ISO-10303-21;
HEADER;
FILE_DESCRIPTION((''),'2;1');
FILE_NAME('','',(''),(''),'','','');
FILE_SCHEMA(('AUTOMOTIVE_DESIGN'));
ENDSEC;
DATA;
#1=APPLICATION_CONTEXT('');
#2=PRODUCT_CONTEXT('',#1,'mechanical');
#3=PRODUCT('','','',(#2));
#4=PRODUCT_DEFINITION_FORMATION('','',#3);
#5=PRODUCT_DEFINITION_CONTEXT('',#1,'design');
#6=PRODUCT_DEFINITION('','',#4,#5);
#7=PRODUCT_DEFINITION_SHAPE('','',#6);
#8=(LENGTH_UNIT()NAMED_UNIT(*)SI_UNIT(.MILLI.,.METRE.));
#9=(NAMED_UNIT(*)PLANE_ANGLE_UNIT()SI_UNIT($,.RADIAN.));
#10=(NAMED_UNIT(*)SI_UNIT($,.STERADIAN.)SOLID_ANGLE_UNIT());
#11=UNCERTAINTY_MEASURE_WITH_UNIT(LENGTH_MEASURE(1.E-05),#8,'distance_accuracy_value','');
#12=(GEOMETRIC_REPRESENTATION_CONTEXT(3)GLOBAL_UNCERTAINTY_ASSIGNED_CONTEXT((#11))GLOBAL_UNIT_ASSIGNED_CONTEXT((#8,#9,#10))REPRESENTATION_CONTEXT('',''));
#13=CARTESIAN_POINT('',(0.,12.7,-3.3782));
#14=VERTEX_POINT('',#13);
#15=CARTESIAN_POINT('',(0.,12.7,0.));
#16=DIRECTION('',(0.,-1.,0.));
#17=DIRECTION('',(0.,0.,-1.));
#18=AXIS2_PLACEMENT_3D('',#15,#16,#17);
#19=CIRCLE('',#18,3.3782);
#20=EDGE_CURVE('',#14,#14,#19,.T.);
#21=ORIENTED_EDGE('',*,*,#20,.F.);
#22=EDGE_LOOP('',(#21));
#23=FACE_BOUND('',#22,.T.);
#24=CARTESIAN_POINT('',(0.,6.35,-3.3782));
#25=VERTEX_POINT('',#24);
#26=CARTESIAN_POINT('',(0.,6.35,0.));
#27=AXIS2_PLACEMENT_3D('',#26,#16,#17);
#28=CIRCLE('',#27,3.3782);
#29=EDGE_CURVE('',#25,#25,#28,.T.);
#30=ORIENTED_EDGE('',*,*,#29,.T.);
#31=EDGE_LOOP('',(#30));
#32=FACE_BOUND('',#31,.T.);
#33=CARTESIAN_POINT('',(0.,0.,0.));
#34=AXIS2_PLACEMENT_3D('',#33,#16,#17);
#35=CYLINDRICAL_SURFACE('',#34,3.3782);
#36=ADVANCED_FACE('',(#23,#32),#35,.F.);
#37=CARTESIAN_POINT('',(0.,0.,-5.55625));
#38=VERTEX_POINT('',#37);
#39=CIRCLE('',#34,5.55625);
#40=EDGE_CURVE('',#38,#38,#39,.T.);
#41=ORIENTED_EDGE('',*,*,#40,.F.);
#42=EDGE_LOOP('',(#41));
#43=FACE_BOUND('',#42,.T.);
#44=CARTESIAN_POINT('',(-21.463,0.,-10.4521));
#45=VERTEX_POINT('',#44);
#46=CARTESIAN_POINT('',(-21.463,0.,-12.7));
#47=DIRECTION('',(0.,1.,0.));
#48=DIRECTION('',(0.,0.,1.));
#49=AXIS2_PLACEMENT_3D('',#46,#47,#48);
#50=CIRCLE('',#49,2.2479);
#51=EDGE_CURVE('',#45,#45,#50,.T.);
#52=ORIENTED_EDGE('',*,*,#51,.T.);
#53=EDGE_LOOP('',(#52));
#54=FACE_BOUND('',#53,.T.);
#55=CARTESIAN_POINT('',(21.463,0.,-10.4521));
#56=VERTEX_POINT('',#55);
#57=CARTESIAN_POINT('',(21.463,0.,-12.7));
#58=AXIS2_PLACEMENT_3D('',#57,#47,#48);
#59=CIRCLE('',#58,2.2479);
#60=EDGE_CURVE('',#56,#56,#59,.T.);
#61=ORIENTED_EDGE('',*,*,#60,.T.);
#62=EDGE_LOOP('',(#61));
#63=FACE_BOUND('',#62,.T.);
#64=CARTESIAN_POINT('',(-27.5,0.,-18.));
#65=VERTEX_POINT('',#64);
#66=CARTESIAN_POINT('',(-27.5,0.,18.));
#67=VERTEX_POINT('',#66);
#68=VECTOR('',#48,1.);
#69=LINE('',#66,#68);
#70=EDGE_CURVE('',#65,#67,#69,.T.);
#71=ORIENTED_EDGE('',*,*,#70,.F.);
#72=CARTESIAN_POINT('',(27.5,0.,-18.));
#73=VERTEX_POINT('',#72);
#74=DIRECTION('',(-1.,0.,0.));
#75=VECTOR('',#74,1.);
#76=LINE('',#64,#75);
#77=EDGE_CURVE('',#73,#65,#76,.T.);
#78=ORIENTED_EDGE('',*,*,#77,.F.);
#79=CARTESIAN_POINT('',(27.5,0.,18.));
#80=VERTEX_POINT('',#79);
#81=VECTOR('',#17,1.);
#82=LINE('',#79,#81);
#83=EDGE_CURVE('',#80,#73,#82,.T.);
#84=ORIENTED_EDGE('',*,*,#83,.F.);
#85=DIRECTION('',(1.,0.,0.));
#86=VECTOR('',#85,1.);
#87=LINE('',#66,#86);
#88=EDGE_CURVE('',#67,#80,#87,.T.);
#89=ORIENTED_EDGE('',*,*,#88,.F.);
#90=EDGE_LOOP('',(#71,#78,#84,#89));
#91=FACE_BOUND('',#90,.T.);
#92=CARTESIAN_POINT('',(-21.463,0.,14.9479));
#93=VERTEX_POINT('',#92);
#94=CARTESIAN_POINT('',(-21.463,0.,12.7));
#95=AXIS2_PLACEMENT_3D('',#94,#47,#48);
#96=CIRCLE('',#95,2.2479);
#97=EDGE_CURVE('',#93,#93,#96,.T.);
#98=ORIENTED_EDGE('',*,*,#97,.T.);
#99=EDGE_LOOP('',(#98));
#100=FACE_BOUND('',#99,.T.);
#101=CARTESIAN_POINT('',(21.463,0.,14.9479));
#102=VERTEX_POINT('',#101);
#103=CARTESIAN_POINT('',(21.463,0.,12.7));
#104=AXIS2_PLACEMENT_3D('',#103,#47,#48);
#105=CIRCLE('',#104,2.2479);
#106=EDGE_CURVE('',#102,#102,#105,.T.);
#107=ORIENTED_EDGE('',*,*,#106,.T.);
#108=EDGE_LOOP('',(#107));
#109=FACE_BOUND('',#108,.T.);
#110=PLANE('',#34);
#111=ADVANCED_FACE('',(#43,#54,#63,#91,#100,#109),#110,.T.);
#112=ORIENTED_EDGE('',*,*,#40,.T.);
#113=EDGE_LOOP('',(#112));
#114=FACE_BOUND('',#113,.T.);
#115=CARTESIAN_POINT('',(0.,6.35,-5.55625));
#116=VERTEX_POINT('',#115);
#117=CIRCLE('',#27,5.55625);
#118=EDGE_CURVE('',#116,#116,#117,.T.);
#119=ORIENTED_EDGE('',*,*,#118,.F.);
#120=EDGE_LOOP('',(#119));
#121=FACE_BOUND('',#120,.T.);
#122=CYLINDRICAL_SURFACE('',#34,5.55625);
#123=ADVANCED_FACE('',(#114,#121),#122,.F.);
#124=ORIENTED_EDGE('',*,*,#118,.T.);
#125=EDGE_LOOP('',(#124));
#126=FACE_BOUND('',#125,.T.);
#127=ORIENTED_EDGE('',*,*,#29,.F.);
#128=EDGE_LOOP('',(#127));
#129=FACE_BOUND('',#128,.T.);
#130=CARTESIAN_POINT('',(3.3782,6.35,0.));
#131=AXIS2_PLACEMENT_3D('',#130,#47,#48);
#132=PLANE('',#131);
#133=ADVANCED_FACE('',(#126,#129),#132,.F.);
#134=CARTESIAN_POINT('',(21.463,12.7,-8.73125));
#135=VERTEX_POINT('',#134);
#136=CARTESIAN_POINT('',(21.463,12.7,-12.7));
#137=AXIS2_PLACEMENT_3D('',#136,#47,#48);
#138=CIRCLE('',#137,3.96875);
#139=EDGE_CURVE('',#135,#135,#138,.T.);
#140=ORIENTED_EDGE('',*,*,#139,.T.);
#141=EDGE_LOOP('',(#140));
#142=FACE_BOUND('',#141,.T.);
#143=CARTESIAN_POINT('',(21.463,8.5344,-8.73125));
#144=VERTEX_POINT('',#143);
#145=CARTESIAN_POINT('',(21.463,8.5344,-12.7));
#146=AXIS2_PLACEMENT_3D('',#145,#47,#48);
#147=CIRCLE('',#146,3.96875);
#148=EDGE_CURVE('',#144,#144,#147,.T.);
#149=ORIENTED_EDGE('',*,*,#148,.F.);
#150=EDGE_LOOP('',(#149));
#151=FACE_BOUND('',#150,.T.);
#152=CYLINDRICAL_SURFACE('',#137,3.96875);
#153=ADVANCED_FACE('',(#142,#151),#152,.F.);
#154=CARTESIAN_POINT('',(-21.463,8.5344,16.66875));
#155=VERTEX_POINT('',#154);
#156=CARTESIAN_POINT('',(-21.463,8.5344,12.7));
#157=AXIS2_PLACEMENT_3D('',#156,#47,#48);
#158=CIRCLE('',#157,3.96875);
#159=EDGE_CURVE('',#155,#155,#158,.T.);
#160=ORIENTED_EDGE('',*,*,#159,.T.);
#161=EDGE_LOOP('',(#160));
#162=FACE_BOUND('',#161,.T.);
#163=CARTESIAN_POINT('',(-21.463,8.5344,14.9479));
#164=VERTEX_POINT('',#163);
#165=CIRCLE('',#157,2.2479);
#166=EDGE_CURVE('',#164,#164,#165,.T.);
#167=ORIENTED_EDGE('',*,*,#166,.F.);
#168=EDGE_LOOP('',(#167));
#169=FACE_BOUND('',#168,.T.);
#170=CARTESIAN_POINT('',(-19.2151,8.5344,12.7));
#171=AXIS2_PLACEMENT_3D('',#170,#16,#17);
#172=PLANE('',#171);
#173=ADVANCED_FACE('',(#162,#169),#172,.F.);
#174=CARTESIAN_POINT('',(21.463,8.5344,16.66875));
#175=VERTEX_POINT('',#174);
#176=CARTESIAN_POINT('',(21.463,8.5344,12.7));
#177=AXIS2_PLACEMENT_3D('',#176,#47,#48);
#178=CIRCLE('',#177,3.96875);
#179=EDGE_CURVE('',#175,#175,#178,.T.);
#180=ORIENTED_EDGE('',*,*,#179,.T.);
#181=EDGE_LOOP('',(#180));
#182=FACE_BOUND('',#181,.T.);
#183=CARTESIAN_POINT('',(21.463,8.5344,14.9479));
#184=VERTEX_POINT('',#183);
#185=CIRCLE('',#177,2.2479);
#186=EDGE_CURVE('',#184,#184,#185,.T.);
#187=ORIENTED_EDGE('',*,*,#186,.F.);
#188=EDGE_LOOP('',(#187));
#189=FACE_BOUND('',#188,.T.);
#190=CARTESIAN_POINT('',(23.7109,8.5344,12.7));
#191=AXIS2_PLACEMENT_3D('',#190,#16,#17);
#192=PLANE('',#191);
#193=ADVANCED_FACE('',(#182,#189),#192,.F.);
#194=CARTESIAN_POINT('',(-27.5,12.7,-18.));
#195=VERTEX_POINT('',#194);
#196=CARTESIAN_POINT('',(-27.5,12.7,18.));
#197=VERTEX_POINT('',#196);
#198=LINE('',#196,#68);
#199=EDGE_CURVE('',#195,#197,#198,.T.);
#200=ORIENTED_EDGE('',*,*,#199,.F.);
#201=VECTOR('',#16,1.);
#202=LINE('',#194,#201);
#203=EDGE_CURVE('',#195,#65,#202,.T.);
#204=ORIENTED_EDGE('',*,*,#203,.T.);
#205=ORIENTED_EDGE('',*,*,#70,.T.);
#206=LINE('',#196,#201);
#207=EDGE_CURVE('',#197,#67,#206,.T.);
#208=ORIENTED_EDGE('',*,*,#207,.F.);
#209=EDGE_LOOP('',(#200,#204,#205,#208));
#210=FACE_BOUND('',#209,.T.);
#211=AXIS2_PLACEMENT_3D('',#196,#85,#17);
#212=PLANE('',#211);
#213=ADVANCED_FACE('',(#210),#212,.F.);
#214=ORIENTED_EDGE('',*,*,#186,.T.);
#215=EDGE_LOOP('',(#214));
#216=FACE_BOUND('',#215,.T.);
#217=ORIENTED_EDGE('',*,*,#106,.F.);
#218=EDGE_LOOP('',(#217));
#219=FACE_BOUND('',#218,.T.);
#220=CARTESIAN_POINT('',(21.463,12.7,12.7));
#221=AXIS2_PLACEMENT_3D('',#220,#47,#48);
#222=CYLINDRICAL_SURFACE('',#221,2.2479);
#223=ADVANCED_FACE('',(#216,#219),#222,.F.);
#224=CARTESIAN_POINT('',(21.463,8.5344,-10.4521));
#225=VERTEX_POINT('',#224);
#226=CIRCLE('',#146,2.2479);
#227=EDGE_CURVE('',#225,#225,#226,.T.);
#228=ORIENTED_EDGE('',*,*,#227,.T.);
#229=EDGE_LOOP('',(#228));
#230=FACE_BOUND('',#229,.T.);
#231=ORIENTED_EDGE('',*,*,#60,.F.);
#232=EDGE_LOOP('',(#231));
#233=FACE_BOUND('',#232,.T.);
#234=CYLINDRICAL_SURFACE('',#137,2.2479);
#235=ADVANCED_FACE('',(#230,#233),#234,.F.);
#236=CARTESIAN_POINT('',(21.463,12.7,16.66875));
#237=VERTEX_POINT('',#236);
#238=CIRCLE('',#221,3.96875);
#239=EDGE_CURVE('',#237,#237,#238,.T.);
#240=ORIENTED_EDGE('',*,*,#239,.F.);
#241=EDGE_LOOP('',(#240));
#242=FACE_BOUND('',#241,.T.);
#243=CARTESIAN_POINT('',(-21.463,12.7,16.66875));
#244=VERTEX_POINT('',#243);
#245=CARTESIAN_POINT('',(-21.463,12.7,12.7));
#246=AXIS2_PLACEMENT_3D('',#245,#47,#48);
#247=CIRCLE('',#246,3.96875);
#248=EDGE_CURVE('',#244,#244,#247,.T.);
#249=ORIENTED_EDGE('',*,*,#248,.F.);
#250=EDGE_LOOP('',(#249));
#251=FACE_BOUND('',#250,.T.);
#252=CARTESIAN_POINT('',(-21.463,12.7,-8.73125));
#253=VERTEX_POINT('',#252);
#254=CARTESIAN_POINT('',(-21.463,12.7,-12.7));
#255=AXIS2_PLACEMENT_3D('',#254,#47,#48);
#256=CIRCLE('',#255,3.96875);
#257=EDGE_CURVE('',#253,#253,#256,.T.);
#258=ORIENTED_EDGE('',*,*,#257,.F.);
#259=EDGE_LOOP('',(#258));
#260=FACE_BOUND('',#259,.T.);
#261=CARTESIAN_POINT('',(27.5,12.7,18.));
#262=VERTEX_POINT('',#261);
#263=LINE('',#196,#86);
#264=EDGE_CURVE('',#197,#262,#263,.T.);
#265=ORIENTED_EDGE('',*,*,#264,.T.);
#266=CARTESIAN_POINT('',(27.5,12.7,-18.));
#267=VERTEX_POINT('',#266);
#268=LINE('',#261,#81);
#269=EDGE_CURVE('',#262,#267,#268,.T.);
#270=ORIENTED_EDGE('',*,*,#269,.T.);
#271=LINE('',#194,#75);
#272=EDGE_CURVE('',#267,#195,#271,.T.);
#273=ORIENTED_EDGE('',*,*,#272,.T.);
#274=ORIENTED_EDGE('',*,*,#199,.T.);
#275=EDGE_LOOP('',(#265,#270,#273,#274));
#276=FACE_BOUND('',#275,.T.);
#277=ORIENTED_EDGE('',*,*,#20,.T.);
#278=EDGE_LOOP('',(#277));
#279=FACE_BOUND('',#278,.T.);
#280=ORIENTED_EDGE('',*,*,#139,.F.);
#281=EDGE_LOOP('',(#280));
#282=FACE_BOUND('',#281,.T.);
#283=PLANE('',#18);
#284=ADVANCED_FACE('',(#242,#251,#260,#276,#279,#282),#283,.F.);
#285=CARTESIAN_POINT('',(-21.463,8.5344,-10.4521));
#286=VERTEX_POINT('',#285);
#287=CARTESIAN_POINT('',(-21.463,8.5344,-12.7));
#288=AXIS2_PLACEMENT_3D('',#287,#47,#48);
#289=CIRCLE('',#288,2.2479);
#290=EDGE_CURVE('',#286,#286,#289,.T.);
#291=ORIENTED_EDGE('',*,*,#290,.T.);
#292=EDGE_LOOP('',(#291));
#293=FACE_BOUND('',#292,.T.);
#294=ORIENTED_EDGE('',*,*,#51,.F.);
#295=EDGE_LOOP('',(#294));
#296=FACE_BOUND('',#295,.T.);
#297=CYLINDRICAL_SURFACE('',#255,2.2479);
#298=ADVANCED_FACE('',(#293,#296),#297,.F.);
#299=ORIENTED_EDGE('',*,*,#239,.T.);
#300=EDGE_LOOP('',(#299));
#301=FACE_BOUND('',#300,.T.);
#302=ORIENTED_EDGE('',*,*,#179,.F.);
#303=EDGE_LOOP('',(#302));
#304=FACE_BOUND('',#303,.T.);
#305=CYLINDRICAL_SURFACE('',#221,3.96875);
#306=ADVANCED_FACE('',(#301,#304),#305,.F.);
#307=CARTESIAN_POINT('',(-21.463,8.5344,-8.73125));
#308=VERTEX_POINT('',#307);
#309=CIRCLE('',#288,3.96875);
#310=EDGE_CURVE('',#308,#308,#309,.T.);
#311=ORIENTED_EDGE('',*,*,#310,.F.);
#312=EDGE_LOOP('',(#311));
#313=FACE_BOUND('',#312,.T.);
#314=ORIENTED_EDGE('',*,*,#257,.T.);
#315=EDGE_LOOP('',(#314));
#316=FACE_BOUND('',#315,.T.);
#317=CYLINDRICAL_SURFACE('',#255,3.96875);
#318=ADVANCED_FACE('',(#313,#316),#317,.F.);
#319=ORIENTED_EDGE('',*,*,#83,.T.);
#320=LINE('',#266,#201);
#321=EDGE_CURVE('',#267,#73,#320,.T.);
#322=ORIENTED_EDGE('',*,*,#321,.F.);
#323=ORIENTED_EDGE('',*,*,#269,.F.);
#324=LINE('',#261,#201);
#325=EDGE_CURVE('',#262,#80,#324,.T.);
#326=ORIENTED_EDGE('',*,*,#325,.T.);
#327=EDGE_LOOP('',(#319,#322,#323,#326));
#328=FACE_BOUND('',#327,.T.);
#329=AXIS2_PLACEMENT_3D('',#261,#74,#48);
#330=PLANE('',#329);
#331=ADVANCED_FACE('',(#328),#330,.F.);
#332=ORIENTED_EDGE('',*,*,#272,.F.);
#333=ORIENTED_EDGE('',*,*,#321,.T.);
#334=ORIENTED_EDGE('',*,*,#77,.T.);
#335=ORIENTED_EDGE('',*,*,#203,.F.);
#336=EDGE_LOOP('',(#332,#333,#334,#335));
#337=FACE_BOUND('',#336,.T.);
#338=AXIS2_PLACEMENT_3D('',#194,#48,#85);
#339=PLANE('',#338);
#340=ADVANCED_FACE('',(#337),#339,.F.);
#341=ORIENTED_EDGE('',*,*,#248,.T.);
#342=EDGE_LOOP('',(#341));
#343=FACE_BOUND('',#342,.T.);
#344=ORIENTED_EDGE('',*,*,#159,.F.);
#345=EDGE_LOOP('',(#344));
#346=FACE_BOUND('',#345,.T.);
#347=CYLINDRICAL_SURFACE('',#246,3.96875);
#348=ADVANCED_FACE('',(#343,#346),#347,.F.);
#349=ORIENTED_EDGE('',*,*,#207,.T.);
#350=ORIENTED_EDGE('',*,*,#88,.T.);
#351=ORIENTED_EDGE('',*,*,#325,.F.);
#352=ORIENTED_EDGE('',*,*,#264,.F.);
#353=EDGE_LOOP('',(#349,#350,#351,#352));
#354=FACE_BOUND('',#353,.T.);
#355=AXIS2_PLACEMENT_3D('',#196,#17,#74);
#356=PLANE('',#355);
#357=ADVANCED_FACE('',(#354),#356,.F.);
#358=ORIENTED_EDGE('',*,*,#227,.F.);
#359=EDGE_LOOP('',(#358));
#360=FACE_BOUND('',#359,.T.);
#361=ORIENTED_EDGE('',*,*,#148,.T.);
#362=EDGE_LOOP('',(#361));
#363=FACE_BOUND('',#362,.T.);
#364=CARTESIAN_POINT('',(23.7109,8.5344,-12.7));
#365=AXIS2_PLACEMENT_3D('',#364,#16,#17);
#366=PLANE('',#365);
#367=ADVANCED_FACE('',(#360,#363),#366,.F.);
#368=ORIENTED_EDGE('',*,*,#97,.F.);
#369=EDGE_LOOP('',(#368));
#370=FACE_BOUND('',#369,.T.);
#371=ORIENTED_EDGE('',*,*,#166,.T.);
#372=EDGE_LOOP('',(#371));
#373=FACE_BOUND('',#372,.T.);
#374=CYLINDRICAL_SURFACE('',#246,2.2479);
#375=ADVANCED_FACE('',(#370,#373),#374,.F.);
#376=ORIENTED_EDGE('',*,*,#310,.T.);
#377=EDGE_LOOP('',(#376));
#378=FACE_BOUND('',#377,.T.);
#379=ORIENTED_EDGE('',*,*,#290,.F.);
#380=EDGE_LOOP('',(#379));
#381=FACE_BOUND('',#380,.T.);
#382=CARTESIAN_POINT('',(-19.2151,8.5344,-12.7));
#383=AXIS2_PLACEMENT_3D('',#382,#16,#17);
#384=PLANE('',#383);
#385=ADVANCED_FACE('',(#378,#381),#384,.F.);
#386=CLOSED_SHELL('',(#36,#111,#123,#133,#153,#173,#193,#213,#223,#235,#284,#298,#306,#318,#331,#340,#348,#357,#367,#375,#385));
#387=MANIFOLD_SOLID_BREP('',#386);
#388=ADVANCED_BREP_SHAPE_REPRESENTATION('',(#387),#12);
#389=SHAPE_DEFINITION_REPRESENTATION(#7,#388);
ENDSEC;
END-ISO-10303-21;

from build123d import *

# Parameters (mm, degrees)
SKETCH1_W                                        = 55
SKETCH1_H                                        = 36
BOSS_EXTRUDE1_DEPTH                              = 12.7
CBORE_FOR_8_SOCKET_HEAD_CAP_SCREW1_D             = 4.4958
CBORE_FOR_8_SOCKET_HEAD_CAP_SCREW1_CBORE_D       = 7.9375
CBORE_FOR_8_SOCKET_HEAD_CAP_SCREW1_CBORE_DEPTH   = 4.1656
CBORE_FOR_1_4_SOCKET_HEAD_CAP_SCREW1_D           = 6.7564
CBORE_FOR_1_4_SOCKET_HEAD_CAP_SCREW1_CBORE_D     = 11.1125
CBORE_FOR_1_4_SOCKET_HEAD_CAP_SCREW1_CBORE_DEPTH = 6.35


with BuildPart() as part:
    # Sketch1 → Boss-Extrude1 (new body)
    with BuildSketch(Plane(origin=(0, 0, 0), x_dir=(1, 0, 0), z_dir=(0, 1, 0))):
        Rectangle(SKETCH1_W, SKETCH1_H)
    extrude(amount=BOSS_EXTRUDE1_DEPTH)

    # CBORE for #8 Socket Head Cap Screw1 (through all)
    with Locations(Plane(origin=(0, 12.7, 0), x_dir=(-1, 0, 0), z_dir=(0, 1, 0))):
        with Locations((21.463, -12.7), (21.463, 12.7), (-21.463, 12.7), (-21.463, -12.7)):
            CounterBoreHole(CBORE_FOR_8_SOCKET_HEAD_CAP_SCREW1_D / 2, CBORE_FOR_8_SOCKET_HEAD_CAP_SCREW1_CBORE_D / 2, CBORE_FOR_8_SOCKET_HEAD_CAP_SCREW1_CBORE_DEPTH)

    # CBORE for 1/4 Socket Head Cap Screw1 (through all)
    with Locations(Plane(origin=(0, 0, 0), x_dir=(-1, 0, 0), z_dir=(0, -1, 0))):
        with Locations((0, 0)):
            CounterBoreHole(CBORE_FOR_1_4_SOCKET_HEAD_CAP_SCREW1_D / 2, CBORE_FOR_1_4_SOCKET_HEAD_CAP_SCREW1_CBORE_D / 2, CBORE_FOR_1_4_SOCKET_HEAD_CAP_SCREW1_CBORE_DEPTH)


solid = part.part
